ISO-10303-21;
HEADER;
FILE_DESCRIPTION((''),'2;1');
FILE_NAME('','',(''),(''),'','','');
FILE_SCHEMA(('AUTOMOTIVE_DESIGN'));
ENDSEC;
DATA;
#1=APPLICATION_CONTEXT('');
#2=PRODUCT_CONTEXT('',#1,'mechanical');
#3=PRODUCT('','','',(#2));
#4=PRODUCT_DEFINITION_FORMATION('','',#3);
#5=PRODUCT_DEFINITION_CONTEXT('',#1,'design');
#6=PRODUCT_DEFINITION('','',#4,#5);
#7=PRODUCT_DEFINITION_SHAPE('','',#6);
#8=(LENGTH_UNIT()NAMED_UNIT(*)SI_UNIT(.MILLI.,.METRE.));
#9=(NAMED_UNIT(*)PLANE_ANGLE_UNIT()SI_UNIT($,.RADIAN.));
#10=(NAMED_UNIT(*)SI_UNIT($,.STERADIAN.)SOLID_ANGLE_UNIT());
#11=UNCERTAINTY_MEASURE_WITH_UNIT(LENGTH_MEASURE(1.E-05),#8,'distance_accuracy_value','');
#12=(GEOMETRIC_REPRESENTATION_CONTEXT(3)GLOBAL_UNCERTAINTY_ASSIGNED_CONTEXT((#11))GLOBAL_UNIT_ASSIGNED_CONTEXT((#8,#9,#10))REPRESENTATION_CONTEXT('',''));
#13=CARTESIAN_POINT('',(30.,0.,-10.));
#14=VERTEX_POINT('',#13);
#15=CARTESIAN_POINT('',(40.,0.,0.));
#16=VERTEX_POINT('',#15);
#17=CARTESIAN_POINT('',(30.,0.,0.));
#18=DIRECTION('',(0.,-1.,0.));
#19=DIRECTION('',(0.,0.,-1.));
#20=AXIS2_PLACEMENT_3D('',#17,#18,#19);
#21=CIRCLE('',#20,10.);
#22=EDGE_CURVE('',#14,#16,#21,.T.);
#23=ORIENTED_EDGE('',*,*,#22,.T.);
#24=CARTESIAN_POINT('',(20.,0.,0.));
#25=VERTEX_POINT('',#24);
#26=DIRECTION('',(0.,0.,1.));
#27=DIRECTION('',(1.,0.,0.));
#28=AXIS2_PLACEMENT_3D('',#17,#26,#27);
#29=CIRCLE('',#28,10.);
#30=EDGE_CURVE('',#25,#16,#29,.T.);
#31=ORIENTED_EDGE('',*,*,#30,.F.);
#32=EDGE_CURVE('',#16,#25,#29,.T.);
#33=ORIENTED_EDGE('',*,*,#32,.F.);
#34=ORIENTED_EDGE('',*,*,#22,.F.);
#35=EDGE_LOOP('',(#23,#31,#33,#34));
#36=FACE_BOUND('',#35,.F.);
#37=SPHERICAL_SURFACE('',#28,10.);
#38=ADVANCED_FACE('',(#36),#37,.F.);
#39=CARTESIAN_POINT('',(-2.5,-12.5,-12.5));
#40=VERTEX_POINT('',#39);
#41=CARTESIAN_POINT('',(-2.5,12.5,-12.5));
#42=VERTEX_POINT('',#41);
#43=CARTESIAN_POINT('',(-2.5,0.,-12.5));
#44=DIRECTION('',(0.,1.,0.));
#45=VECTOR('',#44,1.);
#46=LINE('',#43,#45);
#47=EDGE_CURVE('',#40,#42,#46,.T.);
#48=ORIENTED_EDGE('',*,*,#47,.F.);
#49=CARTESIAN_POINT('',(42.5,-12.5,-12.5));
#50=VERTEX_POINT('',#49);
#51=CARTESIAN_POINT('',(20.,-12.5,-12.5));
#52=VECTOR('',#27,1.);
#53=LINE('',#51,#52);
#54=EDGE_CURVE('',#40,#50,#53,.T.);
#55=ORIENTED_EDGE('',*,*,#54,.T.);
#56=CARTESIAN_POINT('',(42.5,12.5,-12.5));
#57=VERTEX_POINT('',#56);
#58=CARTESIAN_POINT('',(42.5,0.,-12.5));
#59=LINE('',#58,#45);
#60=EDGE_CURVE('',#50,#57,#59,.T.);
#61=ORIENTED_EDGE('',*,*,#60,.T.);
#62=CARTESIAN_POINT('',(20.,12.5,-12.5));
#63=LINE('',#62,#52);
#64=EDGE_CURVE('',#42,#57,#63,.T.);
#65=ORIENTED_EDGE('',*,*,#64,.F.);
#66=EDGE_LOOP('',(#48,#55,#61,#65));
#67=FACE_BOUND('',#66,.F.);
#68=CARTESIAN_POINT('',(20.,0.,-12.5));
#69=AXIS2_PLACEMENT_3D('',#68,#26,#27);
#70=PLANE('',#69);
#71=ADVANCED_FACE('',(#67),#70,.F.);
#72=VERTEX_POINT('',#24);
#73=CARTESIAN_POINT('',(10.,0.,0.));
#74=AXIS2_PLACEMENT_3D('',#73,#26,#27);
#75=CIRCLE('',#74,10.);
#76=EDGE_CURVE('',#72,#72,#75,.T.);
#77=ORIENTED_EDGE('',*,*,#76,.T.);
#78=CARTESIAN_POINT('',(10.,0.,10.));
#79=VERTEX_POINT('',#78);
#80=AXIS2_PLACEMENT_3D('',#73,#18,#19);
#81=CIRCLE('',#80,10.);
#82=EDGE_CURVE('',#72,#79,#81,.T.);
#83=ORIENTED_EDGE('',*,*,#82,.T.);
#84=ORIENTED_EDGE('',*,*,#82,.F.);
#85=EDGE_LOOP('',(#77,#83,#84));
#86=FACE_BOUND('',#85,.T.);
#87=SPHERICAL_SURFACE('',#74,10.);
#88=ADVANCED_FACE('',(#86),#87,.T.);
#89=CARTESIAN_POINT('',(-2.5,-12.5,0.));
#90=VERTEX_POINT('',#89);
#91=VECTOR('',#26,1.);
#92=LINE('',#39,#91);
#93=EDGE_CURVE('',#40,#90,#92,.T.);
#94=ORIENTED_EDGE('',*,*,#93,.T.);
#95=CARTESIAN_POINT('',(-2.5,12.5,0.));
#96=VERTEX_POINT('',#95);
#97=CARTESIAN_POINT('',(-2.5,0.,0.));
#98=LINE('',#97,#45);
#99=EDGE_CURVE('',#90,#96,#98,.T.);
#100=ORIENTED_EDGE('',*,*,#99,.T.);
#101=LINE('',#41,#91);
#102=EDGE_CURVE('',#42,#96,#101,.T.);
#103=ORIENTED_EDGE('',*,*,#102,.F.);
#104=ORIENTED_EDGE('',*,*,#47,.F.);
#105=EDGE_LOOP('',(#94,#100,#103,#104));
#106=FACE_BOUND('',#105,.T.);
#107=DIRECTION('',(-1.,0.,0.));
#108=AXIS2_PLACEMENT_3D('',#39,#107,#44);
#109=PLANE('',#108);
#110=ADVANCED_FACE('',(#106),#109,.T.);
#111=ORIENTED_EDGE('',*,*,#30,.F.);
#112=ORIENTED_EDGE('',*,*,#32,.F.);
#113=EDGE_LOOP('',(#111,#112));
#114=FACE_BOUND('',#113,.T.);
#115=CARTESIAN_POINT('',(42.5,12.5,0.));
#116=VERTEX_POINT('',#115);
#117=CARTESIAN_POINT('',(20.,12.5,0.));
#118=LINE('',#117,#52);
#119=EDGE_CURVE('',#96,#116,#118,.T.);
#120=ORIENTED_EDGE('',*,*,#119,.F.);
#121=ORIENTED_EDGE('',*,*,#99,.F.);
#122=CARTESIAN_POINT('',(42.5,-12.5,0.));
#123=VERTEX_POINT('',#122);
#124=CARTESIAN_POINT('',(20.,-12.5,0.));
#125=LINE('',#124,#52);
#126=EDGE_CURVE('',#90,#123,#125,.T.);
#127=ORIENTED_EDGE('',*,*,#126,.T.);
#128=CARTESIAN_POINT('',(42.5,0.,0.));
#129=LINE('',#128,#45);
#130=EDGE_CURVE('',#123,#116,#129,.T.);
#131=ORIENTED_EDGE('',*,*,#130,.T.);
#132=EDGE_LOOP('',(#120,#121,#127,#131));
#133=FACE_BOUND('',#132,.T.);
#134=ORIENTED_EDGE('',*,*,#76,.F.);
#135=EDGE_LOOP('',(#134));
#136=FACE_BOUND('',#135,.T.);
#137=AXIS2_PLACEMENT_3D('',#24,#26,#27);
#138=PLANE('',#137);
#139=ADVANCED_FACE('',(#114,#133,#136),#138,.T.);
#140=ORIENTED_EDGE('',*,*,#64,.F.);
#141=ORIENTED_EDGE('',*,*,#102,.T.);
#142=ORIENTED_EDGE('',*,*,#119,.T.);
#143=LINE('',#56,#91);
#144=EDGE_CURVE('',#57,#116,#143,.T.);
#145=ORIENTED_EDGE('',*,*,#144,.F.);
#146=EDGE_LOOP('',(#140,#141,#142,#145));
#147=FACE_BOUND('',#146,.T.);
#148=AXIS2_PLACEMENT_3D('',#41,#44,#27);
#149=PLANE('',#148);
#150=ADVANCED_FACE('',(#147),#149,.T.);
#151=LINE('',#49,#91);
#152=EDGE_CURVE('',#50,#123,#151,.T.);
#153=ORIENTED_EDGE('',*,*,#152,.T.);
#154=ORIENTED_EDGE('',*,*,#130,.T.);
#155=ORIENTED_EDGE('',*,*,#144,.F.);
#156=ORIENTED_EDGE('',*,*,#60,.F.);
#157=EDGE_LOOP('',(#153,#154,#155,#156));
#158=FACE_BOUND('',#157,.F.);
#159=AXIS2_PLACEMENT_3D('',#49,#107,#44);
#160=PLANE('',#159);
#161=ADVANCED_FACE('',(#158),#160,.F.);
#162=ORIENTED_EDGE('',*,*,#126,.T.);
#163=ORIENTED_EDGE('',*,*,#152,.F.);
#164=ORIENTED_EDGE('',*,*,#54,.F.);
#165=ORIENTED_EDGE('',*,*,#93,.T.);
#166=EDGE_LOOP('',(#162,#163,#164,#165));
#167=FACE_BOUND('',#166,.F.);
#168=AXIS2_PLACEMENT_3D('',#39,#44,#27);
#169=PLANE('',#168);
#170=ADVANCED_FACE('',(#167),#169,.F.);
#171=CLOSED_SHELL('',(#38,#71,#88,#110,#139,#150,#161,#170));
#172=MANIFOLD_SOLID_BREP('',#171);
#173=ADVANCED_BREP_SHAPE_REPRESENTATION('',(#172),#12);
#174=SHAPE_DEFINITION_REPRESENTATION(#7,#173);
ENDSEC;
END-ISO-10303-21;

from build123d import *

# Parameters (mm, degrees)
BOX_W     = 45
BOX_H     = 25
BOX_DEPTH = 12.5


with BuildPart() as sphere001:
    # Sphere001 → Sphere001 (revolve)
    with BuildSketch(Plane(origin=(30, 0, 0), x_dir=(1, 0, 0), z_dir=(0, -1, 0))):
        with BuildLine():
            ThreePointArc((0, -10), (10, 0), (0, 10))
            Line((0, 10), (0, -10))
        make_face()
    revolve(axis=Axis((30, 0, 0), (0, 0, 1)))


with BuildPart() as cube:
    # Box → Box (new body)
    with BuildSketch(Plane(origin=(-2.5, -12.5, -12.5), x_dir=(1, 0, 0), z_dir=(0, 0, 1))):
        with Locations((22.5, 12.5)):
            Rectangle(BOX_W, BOX_H)
    extrude(amount=BOX_DEPTH)


with BuildPart() as cut:
    # Sphere → Sphere (revolve)
    with BuildSketch(Plane(origin=(10, 0, 0), x_dir=(1, 0, 0), z_dir=(0, -1, 0))):
        with BuildLine():
            ThreePointArc((0, -10), (10, 0), (0, 10))
            Line((0, 10), (0, -10))
        make_face()
    revolve(axis=Axis((10, 0, 0), (0, 0, 1)))

    # Fusion: union Cube
    add(cube.part)

    # Cut: cut Sphere001
    add(sphere001.part, mode=Mode.SUBTRACT)


solid = cut.part
